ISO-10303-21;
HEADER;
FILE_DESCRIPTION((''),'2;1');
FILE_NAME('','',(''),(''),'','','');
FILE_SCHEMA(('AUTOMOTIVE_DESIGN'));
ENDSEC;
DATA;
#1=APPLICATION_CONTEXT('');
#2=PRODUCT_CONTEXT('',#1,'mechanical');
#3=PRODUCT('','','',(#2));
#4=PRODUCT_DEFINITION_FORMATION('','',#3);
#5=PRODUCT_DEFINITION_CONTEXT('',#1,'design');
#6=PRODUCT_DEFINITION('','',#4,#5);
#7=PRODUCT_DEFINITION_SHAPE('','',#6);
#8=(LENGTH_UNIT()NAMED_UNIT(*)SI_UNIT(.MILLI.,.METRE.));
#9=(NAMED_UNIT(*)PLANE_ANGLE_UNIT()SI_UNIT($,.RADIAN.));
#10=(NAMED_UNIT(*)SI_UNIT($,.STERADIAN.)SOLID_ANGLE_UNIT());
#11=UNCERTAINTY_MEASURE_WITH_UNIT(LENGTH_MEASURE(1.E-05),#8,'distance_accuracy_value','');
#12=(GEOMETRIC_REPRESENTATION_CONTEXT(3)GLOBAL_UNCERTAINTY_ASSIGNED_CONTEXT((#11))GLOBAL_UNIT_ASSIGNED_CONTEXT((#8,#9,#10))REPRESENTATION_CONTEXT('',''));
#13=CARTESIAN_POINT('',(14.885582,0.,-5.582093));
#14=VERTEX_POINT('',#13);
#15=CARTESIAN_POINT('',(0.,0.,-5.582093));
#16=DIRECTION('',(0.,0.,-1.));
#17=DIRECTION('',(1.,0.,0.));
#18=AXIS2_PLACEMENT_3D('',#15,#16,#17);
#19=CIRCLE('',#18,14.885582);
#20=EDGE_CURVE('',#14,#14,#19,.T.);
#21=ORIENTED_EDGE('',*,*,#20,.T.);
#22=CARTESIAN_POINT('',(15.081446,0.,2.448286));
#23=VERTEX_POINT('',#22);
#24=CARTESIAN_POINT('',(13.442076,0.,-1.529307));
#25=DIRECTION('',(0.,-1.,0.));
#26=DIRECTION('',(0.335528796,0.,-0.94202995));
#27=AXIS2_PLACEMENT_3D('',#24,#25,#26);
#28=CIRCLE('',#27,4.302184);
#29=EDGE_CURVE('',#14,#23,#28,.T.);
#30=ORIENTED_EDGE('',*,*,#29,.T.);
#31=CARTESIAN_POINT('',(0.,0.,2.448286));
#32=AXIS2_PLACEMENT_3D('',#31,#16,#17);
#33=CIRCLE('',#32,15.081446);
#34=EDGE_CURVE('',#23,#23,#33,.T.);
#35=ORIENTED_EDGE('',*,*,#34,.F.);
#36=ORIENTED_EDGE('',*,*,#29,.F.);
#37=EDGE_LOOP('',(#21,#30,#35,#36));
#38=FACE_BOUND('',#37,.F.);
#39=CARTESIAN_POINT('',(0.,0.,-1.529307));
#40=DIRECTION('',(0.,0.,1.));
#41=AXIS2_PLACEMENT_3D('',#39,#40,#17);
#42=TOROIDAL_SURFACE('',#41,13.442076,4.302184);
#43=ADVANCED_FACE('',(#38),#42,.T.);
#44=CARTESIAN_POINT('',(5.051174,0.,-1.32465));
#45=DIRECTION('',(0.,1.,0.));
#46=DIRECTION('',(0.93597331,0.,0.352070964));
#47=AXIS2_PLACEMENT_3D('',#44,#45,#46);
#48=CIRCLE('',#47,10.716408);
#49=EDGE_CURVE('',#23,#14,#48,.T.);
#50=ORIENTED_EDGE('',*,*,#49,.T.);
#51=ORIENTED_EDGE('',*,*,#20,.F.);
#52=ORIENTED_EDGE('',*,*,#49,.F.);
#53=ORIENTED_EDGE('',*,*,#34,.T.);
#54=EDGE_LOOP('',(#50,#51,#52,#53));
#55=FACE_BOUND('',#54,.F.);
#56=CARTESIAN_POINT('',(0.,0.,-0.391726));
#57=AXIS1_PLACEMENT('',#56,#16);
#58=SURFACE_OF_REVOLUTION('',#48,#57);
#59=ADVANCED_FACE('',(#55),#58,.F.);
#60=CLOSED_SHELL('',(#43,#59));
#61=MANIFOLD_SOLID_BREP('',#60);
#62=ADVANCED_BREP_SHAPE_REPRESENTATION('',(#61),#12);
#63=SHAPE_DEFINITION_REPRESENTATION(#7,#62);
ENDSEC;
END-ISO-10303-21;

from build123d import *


with BuildPart() as f1:
    # F0 (on Front) → F1 (revolve)
    with BuildSketch(Plane.XZ):
        with BuildLine():
            ThreePointArc((15.081446, 2.448286), (15.764396, -1.585949), (14.885582, -5.582093))
            ThreePointArc((14.885582, -5.582093), (17.74298, -1.634208), (15.081446, 2.448286))
        make_face()
    revolve(axis=Axis((0, 0, -0.391726), (0, 0, -1)))


solid = f1.part
